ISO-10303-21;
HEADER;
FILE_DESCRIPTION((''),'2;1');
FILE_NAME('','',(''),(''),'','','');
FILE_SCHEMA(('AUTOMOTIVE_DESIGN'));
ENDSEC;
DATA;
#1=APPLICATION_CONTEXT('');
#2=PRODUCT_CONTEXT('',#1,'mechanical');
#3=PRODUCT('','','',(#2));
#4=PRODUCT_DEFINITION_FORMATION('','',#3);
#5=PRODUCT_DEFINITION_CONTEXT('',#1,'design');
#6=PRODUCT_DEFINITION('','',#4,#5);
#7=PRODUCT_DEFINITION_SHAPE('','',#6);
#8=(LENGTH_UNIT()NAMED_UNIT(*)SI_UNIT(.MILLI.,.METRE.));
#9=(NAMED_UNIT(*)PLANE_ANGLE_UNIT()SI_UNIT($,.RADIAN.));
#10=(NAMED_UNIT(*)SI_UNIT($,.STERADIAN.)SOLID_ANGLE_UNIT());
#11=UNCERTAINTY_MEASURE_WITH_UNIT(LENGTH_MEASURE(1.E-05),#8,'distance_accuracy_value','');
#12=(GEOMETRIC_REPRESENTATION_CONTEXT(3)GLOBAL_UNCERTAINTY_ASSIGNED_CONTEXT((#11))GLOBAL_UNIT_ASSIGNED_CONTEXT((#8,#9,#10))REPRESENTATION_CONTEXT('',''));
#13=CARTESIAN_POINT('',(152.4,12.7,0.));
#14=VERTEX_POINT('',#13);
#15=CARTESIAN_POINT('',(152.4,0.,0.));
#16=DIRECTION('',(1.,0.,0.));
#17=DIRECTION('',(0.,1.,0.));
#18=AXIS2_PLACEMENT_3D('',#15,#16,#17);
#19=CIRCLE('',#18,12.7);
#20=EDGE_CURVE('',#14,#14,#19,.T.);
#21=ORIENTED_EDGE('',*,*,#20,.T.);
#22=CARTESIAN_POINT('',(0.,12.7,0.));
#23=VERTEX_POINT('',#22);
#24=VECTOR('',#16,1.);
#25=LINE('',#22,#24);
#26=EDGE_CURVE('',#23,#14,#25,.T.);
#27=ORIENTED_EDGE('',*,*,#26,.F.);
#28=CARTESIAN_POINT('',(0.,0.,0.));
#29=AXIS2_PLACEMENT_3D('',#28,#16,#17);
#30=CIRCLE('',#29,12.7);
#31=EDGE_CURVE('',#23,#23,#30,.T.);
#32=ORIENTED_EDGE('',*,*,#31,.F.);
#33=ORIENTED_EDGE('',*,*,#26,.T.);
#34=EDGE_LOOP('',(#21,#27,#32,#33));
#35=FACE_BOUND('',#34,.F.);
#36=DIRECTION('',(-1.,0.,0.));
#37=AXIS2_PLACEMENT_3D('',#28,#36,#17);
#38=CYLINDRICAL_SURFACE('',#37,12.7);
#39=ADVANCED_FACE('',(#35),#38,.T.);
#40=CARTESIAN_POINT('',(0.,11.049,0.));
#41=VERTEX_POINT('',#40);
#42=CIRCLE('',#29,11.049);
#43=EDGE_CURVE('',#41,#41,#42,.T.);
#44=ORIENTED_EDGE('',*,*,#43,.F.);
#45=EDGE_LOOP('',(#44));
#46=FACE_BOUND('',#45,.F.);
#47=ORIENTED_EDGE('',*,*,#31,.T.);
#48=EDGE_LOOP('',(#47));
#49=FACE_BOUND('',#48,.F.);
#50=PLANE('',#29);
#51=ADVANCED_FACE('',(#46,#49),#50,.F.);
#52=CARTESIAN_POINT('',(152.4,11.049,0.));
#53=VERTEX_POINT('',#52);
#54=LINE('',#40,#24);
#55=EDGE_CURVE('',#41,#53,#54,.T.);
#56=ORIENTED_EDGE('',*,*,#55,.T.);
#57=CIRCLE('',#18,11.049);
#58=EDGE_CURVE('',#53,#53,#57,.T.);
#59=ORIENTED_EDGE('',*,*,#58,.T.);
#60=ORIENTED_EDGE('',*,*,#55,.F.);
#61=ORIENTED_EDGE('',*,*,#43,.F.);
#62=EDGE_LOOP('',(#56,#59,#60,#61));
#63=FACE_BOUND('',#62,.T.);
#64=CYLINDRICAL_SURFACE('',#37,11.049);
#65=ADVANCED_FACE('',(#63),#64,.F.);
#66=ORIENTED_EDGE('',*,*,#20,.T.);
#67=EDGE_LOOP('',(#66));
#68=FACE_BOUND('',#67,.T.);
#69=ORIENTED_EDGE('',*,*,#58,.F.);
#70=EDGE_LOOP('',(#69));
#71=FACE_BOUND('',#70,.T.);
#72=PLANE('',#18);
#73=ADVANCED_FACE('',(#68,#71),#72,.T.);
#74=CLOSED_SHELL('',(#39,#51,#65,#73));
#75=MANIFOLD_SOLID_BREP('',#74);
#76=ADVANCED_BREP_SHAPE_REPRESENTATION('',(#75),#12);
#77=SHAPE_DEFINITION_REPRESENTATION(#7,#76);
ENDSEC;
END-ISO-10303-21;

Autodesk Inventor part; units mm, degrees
ref_plane "XZ Plane" through (0, 0, 0) normal (0, 1, 0) x (-1, 0, 0)
ref_plane "Start Plane" through (0, 0, 0) normal (1, 0, 0) x (0, 1, 0)
ref_plane "End Plane" through (152.4, 0, 0) normal (1, 0, 0) x (0, 1, 0)
sketch "Sketch" plane through (0, 0, 0) normal (1, 0, 0) x (0, 1, 0)
  circle A0 centre (0, 0) radius 12.7
  circle A1 centre (0, 0) radius 11.049
  dimension "d0" = 25.4
  dimension "d1" = 1.651
extrude "Body" add sketch "Sketch" along normal up to surface (152.4 mm away) from surface at 0
sketch "Sketch2" plane through (0, 0, 0) normal (1, 0, 0) x (0, 1, 0)
  line L0 (0, 0) -> (10, 0)
ref_plane "Work Plane3" through (0, 0, 0) normal (0, 0, -1) x (0, 1, 0)
sketch "Sketch3" plane through (0, 0, 0) normal (0, 0, -1) x (0, 1, 0)
  line L0 (-2, 0) -> (12, 0)
  line L1 (-2, 152.4) -> (12, 152.4)
  dimension "d9" = 152.4
equation "\"G_OFFSET_START\" = 0"
equation "\"G_OFFSET_END\" = 0"
equation "\"d5\" = d2 + G_OFFSET_END"
equation "\"G_L\" = d9"
equation "\"d2\" = 152.4"
properties part number "4130_1x0.065" material "Steel, Alloy"
